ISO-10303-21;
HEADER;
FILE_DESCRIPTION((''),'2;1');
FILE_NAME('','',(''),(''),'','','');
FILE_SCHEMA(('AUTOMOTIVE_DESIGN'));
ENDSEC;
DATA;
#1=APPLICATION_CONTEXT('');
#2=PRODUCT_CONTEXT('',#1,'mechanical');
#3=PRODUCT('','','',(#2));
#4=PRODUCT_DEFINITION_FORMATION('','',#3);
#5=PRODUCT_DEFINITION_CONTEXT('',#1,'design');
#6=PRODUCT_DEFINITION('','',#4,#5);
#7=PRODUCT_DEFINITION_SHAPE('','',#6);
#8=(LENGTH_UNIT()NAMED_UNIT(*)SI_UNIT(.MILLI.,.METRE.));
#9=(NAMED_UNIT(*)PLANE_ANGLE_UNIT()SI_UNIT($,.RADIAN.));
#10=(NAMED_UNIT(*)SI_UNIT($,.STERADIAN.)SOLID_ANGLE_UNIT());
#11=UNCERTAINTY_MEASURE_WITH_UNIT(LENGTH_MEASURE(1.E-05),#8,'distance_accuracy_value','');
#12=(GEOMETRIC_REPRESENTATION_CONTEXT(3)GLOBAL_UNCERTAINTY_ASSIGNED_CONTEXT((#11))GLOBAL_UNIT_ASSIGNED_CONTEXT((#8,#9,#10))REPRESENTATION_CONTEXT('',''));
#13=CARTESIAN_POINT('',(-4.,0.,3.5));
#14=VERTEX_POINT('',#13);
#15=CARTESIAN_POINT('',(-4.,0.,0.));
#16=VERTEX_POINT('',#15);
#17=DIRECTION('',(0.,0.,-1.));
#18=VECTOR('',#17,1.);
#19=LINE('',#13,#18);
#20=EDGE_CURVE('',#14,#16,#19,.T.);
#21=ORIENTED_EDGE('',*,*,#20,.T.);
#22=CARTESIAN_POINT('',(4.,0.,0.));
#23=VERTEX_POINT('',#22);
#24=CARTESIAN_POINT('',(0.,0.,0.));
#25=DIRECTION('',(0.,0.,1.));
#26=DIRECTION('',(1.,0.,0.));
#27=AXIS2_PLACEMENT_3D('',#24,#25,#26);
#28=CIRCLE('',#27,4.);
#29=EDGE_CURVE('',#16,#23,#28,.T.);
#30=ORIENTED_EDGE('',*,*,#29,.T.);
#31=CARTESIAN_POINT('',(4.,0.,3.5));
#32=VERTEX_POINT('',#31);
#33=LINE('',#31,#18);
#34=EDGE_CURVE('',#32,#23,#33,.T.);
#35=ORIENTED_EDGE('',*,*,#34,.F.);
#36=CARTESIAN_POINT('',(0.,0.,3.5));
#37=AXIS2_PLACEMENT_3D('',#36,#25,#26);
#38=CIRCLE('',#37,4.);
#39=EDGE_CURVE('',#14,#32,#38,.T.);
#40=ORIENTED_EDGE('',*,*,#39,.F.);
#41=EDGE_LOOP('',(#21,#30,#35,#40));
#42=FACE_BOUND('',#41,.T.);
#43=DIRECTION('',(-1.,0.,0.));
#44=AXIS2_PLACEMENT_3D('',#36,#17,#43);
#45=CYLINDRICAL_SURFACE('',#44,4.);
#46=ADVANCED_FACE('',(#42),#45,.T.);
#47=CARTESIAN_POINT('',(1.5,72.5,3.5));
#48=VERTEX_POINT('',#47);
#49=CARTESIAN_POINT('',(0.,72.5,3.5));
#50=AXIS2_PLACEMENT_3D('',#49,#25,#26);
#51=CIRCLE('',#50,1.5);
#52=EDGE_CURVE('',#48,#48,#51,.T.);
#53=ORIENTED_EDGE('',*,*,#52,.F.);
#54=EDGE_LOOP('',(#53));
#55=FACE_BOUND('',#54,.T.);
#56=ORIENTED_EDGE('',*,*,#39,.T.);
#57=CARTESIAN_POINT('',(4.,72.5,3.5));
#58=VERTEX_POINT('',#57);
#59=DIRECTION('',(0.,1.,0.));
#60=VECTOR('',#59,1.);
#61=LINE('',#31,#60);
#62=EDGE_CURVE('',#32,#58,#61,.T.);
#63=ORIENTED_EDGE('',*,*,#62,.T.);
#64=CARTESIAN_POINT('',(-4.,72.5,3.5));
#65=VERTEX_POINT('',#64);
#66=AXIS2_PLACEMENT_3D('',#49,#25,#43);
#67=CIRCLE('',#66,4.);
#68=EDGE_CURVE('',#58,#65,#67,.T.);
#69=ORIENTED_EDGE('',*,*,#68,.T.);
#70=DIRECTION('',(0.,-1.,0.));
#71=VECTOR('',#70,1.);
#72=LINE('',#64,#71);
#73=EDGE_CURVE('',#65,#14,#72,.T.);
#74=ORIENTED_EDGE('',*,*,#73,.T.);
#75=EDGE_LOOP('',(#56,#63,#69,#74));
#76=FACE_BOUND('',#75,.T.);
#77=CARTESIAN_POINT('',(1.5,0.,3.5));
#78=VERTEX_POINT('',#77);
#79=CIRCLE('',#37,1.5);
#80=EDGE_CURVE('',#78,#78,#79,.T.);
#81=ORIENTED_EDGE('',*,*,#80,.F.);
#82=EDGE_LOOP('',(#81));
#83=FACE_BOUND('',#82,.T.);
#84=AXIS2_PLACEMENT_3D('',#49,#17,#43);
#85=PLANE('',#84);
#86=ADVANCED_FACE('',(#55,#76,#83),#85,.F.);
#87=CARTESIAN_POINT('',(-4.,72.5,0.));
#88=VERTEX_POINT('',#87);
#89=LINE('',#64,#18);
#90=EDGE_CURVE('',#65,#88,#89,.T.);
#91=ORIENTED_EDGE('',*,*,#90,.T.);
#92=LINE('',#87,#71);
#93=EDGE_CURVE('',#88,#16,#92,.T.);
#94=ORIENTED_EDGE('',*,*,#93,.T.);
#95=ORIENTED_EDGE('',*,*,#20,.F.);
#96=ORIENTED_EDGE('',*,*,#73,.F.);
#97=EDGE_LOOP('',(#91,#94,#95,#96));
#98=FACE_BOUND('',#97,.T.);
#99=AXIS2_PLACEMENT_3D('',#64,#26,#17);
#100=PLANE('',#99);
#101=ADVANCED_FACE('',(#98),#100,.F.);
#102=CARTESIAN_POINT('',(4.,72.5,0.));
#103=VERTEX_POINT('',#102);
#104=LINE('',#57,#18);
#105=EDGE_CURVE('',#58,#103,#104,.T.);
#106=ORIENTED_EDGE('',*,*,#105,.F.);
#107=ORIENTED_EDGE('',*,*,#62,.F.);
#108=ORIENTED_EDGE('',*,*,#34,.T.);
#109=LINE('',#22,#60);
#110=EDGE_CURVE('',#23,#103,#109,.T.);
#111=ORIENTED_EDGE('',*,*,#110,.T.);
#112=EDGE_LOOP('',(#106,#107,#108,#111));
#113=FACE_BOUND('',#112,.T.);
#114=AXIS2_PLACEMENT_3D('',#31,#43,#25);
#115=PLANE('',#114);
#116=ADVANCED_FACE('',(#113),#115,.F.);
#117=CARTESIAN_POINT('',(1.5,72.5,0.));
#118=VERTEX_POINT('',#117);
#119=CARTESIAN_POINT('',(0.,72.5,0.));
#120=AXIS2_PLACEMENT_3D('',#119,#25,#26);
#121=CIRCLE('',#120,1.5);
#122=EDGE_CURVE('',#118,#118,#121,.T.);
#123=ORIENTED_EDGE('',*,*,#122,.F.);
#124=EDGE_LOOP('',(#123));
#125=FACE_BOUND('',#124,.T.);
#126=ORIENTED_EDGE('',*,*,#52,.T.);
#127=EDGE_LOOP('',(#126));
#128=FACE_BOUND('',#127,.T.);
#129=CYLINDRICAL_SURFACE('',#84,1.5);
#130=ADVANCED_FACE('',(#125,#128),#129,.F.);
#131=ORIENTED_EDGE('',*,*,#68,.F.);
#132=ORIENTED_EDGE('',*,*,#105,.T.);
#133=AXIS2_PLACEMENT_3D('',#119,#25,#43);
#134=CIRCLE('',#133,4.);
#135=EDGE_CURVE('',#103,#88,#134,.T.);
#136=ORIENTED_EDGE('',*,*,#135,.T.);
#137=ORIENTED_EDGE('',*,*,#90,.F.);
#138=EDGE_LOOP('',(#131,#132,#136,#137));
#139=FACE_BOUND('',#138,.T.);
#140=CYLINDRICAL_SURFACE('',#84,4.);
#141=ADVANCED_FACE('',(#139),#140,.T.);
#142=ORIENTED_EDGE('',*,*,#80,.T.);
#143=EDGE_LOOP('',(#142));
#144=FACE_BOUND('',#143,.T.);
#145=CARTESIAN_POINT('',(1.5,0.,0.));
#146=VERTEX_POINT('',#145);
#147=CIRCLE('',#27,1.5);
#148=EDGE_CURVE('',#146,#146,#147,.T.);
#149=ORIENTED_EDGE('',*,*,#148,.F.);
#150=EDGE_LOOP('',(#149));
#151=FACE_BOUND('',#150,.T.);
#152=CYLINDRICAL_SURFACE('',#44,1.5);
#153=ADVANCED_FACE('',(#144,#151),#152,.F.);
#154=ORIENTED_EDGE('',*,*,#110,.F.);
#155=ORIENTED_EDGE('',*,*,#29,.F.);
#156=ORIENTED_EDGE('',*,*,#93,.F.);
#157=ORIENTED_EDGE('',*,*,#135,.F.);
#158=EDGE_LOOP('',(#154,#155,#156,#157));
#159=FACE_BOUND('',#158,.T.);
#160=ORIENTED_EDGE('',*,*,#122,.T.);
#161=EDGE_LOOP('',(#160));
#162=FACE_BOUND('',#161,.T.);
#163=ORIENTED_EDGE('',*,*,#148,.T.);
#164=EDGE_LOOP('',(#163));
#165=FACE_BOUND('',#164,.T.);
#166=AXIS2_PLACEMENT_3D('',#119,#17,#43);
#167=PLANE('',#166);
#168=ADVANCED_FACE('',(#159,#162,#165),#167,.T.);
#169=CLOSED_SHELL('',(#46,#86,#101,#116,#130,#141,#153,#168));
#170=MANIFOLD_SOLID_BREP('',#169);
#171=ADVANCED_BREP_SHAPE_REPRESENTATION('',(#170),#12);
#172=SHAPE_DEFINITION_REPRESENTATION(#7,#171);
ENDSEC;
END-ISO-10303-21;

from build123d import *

# Parameters (mm, degrees)
SKETCH1_R           = 1.5
BOSS_EXTRUDE1_DEPTH = 3.5


with BuildPart() as part:
    # Sketch1 → Boss-Extrude1 (new body)
    with BuildSketch(Plane.XY):
        with BuildLine():
            Line((-4, 72.5), (-4, 0))
            ThreePointArc((-4, 0), (0, -4), (4, 0))
            Line((4, 0), (4, 72.5))
            ThreePointArc((4, 72.5), (0, 76.5), (-4, 72.5))
        make_face()
        with Locations((0, 72.5)):
            Circle(SKETCH1_R, mode=Mode.SUBTRACT)
        Circle(SKETCH1_R, mode=Mode.SUBTRACT)
    extrude(amount=BOSS_EXTRUDE1_DEPTH)


solid = part.part
